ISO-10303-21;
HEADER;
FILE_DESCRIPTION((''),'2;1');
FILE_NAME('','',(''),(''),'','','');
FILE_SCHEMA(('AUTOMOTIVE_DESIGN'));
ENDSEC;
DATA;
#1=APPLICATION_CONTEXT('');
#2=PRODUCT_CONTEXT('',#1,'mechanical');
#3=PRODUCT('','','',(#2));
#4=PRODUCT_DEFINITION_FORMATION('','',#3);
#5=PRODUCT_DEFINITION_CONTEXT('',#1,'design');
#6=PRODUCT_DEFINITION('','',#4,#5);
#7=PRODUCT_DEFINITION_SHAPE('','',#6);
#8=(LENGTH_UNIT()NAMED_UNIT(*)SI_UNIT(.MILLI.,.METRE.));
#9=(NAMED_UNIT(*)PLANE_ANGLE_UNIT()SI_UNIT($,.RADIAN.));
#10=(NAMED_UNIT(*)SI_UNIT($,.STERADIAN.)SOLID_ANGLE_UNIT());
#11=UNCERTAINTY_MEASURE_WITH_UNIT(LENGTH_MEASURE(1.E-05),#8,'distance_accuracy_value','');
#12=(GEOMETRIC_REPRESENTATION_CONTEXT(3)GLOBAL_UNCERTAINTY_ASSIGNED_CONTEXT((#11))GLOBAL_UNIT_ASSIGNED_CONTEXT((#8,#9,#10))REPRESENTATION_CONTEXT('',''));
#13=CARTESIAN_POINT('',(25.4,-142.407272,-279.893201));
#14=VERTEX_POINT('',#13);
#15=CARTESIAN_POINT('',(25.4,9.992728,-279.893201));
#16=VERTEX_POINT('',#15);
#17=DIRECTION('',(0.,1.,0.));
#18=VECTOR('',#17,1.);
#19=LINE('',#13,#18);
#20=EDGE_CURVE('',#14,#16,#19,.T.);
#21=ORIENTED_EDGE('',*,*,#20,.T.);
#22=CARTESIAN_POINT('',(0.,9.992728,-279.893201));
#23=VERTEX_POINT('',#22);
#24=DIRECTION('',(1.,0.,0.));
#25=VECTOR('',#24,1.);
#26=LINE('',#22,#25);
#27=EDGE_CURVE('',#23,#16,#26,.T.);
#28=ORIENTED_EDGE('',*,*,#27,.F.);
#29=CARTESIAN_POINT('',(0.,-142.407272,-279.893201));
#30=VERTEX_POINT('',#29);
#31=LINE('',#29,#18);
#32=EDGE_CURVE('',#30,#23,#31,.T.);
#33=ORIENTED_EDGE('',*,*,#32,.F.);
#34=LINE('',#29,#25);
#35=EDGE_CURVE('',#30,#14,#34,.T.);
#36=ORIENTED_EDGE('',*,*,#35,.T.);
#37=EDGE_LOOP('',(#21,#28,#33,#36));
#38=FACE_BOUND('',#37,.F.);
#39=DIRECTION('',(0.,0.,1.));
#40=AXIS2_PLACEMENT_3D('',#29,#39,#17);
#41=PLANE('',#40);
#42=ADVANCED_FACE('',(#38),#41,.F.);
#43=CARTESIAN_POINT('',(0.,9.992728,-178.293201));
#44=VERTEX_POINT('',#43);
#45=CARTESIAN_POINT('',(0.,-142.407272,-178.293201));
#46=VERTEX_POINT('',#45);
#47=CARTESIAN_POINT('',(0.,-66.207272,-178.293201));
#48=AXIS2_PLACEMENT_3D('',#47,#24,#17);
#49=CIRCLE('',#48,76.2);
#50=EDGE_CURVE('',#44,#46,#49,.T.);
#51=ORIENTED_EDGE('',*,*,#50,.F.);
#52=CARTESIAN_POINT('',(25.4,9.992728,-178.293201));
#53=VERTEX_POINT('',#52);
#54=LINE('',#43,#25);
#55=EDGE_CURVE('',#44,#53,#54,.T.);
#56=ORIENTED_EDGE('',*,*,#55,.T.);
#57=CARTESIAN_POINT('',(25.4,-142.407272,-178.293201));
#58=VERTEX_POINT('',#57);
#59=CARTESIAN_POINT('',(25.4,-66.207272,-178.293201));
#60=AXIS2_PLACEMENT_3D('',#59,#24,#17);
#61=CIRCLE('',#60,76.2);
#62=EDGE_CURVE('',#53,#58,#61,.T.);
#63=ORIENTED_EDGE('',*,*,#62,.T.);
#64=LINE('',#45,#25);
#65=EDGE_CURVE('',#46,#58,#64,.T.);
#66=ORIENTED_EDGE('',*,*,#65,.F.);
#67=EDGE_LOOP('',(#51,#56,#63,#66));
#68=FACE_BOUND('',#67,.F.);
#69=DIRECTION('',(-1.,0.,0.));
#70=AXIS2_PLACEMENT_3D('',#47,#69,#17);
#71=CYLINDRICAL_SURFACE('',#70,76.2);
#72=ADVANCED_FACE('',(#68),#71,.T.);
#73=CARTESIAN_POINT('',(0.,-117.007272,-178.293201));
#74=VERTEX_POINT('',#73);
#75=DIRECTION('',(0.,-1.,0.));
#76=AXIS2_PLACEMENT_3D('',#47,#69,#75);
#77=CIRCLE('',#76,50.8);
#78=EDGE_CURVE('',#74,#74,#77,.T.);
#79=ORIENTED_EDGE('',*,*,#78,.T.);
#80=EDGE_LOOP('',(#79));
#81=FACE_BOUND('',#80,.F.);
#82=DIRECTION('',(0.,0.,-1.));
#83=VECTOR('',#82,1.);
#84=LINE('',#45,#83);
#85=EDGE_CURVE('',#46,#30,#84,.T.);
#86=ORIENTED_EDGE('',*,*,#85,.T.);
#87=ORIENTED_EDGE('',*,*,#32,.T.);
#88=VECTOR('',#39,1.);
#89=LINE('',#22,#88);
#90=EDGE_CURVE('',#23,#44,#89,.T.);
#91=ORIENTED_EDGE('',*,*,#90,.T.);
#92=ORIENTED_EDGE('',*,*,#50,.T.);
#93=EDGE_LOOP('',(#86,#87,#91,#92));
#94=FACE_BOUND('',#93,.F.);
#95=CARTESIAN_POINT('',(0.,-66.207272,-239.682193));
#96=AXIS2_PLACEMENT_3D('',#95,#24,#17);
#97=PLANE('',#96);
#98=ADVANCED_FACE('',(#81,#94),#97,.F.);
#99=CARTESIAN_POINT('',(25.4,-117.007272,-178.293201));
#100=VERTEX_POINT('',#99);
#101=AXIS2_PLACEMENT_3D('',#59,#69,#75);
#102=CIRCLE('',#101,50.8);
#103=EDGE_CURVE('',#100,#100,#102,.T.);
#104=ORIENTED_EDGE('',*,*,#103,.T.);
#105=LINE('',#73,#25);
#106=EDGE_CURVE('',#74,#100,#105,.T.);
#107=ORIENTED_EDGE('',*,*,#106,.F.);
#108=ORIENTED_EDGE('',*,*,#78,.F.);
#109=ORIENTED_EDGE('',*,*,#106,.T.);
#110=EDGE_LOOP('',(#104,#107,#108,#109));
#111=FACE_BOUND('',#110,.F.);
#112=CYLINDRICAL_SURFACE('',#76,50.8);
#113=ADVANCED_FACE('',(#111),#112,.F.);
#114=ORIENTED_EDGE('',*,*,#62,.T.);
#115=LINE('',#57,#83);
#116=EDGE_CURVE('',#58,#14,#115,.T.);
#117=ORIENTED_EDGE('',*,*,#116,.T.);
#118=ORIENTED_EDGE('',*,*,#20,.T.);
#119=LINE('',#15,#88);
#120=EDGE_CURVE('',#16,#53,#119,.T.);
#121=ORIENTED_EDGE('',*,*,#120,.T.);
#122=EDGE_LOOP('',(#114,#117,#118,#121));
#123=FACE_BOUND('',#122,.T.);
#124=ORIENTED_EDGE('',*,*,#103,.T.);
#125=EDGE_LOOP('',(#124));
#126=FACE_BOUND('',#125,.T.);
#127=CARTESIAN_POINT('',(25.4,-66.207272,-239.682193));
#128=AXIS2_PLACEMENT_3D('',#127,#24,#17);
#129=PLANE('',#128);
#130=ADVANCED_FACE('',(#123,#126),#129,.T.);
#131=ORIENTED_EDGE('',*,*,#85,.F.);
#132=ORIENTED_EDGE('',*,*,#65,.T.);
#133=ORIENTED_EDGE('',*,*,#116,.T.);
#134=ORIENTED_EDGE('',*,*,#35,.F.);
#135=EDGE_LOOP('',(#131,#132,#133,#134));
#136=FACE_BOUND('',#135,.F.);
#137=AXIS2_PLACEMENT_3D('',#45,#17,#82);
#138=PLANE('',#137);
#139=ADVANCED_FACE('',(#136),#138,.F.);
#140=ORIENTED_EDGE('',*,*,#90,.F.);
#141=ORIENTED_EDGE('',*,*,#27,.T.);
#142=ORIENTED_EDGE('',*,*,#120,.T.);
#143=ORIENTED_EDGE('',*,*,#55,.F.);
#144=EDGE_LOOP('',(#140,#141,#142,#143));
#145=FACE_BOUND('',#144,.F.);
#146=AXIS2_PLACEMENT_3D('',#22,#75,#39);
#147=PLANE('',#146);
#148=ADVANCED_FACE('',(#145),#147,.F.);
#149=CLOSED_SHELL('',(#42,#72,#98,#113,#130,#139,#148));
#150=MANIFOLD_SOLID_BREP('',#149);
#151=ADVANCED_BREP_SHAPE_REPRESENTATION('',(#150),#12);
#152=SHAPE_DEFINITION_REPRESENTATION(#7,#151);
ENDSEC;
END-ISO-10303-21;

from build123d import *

# Parameters (mm, degrees)
F1_DEPTH = 25.4


with BuildPart() as f1:
    # F0 (on Right) → F1 (new body)
    with BuildSketch(Plane.YZ):
        with BuildLine():
            Line((-142.4072717976, -178.2932008028), (-142.4072717976, -279.8932008028))
            Line((-142.4072717976, -279.8932008028), (9.9927282024, -279.8932008028))
            Line((9.9927282024, -279.8932008028), (9.9927282024, -178.2932008028))
            ThreePointArc((9.9927282024, -178.2932008028), (-66.2072717976, -254.4932008028), (-142.4072717976, -178.2932008028))
        make_face()
        with BuildLine():
            ThreePointArc((9.9927282024, -178.2932008028), (-66.2072717976, -102.0932008028), (-142.4072717976, -178.2932008028))
            Line((-142.4072717976, -178.2932008028), (-117.0072717976, -178.2932008028))
            ThreePointArc((-117.0072717976, -178.2932008028), (-66.2072717976, -127.4932008028), (-15.4072717976, -178.2932008028))
            Line((-15.4072717976, -178.2932008028), (9.9927282024, -178.2932008028))
        make_face()
        with BuildLine():
            Line((-117.0072717976, -178.2932008028), (-142.4072717976, -178.2932008028))
            ThreePointArc((-142.4072717976, -178.2932008028), (-66.2072717976, -254.4932008028), (9.9927282024, -178.2932008028))
            Line((9.9927282024, -178.2932008028), (-15.4072717976, -178.2932008028))
            ThreePointArc((-15.4072717976, -178.2932008028), (-66.2072717976, -229.0932008028), (-117.0072717976, -178.2932008028))
        make_face()
    extrude(amount=F1_DEPTH)


solid = f1.part
